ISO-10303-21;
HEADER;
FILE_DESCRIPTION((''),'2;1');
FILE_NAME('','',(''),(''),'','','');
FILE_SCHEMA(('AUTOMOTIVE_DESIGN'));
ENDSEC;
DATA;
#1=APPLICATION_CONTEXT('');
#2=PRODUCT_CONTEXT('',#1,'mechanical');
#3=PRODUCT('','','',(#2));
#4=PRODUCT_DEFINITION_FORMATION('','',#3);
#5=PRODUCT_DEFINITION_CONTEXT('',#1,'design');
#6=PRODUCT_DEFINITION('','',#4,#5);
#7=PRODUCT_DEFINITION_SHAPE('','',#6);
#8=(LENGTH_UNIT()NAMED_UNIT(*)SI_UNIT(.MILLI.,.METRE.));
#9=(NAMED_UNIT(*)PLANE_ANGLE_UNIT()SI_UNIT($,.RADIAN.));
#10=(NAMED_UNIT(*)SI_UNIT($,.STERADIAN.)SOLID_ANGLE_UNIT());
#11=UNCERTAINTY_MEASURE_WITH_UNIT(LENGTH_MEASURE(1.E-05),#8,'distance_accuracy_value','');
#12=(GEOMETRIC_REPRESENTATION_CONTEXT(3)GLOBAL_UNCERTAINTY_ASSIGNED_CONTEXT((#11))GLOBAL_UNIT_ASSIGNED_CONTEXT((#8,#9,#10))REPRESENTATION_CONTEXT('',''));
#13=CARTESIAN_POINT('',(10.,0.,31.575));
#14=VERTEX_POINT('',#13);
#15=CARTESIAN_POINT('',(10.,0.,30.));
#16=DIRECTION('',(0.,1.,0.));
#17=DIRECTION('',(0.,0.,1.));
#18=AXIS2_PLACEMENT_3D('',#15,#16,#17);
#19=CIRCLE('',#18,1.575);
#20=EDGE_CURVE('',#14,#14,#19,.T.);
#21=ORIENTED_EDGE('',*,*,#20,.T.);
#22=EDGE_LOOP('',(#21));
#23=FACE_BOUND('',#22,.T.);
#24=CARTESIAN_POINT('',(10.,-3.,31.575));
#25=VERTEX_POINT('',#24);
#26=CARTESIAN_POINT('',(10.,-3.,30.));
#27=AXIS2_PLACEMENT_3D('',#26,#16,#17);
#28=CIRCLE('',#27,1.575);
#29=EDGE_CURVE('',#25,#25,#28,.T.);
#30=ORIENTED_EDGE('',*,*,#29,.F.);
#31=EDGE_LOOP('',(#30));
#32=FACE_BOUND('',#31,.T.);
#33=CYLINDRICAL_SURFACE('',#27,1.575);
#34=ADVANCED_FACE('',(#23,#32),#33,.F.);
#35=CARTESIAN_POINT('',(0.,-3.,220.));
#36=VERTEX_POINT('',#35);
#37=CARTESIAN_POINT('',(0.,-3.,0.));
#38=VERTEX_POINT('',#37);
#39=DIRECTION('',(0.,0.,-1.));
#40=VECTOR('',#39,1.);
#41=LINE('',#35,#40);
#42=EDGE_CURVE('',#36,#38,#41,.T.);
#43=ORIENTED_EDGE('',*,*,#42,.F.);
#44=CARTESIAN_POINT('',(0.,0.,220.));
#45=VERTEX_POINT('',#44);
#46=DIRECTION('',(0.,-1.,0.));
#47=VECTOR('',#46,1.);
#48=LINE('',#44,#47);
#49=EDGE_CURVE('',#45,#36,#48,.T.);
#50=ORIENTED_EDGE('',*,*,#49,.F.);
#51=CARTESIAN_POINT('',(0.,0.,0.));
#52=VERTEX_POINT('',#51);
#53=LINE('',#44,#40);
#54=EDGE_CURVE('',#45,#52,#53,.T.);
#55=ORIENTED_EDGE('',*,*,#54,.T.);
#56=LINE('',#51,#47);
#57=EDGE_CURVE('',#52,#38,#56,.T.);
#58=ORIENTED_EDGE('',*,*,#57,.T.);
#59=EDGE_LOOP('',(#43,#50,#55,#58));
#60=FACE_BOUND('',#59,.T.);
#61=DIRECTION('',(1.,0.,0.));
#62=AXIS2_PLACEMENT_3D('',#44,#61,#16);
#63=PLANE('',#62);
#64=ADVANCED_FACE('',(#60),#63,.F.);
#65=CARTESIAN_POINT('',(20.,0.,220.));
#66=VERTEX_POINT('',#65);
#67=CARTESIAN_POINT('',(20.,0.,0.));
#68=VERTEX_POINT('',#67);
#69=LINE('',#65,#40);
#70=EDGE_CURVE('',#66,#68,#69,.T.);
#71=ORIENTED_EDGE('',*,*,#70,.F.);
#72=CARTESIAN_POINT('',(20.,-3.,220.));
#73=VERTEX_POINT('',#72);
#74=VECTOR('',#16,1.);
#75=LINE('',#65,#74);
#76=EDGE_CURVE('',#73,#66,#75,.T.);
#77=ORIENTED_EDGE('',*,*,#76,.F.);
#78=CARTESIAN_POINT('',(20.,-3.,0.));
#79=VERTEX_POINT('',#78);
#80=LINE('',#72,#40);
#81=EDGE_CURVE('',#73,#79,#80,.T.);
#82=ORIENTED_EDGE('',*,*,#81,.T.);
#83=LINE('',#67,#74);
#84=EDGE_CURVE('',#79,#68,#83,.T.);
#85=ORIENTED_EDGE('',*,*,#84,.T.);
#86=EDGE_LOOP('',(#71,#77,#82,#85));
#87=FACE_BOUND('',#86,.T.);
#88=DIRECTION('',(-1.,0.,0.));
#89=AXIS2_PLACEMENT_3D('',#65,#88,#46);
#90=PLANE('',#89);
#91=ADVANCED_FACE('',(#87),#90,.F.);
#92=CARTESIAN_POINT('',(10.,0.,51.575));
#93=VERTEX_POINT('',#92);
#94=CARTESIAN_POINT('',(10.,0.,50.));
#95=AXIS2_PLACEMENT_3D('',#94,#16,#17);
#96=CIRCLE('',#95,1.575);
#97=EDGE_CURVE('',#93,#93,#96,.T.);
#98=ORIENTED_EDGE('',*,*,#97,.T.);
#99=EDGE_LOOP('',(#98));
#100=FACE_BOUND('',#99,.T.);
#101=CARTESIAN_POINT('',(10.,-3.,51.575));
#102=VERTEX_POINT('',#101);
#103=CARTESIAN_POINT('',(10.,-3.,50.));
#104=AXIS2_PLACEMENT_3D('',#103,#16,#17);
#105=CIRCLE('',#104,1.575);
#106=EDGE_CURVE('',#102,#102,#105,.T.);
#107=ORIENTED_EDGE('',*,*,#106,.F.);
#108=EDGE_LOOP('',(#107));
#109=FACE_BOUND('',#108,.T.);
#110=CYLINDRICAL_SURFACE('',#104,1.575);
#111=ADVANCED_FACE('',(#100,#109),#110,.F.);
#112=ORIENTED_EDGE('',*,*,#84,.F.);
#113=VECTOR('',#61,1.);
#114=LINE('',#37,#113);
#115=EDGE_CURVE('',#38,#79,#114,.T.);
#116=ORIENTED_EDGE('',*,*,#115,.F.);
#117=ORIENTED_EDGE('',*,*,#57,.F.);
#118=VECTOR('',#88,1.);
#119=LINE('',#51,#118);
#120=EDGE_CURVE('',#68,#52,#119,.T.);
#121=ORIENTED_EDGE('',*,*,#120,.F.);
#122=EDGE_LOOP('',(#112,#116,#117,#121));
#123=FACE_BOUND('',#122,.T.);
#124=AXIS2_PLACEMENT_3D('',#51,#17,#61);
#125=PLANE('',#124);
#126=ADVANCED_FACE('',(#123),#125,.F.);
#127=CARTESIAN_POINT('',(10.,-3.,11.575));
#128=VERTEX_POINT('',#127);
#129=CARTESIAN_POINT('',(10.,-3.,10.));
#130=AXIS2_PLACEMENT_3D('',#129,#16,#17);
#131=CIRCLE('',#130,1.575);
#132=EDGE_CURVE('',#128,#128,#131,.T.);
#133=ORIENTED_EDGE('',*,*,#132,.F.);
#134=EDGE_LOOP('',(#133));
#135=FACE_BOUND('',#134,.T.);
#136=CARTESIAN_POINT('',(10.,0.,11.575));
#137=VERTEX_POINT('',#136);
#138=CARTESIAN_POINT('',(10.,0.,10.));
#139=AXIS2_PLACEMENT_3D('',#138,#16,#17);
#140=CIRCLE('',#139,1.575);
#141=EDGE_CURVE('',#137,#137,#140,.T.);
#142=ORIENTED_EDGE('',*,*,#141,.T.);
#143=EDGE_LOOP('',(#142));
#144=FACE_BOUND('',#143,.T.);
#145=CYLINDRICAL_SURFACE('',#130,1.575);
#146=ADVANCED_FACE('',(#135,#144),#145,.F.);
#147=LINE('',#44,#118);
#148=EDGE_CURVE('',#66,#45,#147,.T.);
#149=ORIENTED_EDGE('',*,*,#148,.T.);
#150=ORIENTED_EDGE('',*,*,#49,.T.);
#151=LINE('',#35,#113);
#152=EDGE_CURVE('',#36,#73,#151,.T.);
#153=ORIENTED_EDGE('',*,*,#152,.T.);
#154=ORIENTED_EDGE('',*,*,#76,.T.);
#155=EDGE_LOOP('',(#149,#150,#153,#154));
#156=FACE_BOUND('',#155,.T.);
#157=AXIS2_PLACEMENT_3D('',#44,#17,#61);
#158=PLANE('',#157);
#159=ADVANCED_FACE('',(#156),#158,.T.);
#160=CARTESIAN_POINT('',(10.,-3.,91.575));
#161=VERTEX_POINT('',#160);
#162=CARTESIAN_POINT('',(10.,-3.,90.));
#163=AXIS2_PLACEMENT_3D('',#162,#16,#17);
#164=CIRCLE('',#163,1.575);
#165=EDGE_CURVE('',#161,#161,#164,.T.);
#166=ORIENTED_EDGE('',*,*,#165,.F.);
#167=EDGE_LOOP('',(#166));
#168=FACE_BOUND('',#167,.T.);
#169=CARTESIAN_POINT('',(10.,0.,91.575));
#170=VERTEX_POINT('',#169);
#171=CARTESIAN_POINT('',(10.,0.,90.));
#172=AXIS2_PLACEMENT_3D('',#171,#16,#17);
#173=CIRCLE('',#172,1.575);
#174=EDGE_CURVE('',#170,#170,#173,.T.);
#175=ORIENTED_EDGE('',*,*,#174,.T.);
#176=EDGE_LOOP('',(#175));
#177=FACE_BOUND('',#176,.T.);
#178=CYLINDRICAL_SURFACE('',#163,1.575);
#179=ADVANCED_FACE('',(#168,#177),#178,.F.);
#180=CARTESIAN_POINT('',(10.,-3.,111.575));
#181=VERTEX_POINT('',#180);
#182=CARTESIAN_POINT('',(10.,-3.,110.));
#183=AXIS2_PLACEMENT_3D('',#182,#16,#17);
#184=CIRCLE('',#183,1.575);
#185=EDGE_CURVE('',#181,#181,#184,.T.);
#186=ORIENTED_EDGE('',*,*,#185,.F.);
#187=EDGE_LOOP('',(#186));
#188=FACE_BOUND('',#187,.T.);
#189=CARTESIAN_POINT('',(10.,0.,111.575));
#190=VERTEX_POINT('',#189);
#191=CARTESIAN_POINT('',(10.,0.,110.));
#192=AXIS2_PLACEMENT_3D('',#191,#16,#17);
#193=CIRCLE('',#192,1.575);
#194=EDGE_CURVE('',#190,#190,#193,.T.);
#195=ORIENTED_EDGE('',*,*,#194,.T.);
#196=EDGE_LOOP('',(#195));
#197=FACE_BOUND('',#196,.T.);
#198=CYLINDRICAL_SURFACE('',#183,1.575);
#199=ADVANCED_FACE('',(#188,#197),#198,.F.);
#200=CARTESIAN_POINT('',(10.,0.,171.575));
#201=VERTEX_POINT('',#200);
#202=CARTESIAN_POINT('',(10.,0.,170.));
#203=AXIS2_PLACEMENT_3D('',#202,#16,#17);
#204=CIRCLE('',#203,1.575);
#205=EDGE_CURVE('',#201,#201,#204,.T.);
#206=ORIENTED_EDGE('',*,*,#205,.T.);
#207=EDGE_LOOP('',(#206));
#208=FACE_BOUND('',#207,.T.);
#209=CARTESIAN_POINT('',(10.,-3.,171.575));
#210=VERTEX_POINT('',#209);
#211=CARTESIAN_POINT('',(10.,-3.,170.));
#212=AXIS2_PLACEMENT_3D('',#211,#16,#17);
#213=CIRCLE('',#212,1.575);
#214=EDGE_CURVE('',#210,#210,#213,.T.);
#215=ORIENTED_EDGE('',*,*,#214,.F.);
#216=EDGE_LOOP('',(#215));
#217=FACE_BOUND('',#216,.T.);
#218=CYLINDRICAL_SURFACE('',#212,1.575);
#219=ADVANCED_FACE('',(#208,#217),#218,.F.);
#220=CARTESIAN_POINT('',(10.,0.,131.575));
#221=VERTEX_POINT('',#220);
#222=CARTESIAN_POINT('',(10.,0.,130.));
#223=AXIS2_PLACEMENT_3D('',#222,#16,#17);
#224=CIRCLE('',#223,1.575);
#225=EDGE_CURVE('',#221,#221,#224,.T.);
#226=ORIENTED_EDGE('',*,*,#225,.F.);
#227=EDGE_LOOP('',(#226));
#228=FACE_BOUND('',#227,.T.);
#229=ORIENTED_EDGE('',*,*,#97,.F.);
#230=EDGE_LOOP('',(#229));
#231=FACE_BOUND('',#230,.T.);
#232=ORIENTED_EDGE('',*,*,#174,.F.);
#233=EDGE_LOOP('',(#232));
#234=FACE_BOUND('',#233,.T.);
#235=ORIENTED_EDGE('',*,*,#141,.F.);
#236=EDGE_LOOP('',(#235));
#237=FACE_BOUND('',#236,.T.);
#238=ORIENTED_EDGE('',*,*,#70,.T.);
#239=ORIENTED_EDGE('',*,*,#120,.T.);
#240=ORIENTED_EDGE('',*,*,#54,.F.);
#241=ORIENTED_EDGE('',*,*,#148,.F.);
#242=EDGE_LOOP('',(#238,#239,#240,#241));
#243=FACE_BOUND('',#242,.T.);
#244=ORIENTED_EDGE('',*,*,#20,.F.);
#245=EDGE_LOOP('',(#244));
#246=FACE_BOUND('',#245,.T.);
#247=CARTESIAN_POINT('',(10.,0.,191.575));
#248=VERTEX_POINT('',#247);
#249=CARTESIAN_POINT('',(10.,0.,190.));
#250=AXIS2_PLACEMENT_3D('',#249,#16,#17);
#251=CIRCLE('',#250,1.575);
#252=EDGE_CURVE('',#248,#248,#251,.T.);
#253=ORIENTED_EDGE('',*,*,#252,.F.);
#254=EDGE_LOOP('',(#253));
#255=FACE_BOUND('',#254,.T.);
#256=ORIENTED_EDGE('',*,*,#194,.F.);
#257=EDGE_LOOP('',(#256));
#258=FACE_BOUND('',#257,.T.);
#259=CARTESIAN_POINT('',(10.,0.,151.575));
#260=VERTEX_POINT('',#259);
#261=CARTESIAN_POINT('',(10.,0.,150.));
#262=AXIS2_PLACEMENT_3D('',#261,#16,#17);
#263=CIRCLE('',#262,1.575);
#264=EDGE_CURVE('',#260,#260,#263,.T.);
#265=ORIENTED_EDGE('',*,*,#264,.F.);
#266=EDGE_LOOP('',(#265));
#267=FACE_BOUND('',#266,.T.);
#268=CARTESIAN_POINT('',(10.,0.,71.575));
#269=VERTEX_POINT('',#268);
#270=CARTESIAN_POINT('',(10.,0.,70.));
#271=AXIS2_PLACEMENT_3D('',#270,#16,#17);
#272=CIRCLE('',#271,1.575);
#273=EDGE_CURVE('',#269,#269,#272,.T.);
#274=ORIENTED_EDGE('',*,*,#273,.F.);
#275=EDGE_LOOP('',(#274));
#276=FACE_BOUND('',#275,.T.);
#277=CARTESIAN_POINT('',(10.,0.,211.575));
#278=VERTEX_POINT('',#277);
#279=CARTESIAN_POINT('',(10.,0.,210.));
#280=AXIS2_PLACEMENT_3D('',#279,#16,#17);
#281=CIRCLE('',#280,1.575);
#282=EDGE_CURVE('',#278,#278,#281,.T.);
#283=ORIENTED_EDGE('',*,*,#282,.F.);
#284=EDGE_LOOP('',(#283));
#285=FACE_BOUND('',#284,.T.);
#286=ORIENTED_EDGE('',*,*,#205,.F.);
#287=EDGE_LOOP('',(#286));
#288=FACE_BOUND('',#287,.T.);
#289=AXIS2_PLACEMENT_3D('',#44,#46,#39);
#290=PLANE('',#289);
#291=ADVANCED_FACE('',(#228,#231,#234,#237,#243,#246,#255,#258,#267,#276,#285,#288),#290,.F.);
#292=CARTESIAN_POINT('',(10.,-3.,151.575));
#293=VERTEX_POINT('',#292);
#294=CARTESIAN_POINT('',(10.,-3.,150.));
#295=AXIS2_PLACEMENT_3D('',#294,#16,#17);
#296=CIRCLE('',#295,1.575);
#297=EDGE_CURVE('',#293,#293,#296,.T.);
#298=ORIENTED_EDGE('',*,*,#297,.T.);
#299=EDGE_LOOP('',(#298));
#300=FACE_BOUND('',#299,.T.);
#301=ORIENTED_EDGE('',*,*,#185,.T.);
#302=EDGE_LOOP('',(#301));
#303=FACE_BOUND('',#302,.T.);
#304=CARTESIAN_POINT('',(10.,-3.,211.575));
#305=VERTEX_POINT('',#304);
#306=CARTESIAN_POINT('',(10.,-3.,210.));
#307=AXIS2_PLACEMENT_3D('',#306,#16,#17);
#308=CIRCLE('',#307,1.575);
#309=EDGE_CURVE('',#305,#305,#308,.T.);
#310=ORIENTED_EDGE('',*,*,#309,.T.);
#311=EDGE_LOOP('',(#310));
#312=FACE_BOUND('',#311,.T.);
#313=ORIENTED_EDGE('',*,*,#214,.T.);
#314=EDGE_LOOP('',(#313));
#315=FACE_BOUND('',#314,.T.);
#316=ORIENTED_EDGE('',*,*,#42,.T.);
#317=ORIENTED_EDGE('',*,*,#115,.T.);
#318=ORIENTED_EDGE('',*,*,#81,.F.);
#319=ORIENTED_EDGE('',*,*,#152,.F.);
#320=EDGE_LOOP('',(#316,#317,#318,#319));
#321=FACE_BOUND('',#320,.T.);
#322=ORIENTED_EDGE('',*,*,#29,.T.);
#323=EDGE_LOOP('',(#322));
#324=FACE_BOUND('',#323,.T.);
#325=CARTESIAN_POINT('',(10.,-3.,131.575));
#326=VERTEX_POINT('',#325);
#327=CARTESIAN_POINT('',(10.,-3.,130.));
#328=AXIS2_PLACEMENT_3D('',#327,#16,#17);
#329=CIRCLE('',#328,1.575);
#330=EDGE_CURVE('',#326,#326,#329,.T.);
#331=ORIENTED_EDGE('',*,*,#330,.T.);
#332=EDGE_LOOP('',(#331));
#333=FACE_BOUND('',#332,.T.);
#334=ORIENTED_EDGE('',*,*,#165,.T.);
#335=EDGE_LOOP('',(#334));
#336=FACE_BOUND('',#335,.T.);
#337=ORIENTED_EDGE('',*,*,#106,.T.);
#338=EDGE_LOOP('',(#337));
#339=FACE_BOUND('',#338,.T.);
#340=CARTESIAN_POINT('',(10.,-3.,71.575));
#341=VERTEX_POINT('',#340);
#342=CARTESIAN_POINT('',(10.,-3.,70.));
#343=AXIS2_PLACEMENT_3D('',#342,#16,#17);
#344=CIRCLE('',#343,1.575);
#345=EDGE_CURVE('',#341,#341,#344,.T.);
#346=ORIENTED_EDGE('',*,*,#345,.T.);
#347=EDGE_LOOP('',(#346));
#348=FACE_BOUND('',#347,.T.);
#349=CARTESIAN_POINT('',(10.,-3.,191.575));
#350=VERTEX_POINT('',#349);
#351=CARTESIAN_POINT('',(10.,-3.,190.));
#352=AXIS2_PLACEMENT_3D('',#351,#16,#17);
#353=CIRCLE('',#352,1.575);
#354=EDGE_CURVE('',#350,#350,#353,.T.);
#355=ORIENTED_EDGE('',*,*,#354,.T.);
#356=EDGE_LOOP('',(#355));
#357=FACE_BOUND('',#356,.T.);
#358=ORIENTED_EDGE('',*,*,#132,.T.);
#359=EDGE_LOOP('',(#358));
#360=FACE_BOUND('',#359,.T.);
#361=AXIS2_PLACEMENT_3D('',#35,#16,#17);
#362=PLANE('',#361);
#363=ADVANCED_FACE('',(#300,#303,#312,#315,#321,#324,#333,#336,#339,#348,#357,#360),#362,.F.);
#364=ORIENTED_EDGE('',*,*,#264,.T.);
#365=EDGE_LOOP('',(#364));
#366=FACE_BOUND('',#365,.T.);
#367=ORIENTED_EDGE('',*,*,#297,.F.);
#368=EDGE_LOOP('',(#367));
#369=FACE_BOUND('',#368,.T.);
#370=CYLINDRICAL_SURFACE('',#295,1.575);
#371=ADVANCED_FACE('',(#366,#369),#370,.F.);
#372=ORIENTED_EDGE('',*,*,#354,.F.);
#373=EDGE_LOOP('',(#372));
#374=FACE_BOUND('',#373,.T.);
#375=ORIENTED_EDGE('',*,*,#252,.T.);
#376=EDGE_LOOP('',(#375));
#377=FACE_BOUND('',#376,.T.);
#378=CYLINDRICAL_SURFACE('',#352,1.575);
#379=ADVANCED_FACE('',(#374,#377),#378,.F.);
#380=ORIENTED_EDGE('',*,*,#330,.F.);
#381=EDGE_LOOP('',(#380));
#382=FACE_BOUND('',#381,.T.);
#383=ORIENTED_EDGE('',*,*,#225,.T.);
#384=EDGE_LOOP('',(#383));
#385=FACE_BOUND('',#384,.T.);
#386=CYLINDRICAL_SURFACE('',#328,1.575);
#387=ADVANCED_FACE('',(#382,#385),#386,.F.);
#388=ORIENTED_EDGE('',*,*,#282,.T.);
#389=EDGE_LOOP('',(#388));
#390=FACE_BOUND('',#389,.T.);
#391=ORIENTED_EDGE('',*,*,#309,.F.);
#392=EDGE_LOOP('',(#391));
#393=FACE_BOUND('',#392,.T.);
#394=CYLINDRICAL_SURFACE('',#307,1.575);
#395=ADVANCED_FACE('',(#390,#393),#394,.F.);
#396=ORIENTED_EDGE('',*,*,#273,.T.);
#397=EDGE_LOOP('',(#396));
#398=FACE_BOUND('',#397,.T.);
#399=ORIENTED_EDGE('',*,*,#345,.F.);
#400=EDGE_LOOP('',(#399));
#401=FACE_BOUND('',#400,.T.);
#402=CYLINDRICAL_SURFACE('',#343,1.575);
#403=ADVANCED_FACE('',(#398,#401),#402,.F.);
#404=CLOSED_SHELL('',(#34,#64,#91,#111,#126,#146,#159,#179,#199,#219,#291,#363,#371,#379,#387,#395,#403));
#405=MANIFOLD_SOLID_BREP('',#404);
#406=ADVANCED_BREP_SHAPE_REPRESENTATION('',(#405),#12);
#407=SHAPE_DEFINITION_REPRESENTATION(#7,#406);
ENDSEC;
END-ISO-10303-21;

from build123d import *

# Parameters (mm, degrees)
SKETCH_1_W          = 20
SKETCH_1_H          = 3
EXTRUDE_1_DEPTH     = 220
SKETCH_2_R          = 1.575
CUT_EXTRUDE_1_DEPTH = 221.927589947


with BuildPart() as part:
    # 草图1 → 凸台-拉伸1 (new body)
    with BuildSketch(Plane.XY):
        with Locations((10, -1.5)):
            Rectangle(SKETCH_1_W, SKETCH_1_H)
    extrude(amount=EXTRUDE_1_DEPTH)

    # 草图2 → 切除-拉伸1 (cut, through all)
    with BuildSketch(Plane(origin=(0, 0, 0), x_dir=(1, 0, 0), z_dir=(0, 1, 0))):
        with Locations(Location((10, -10, 0), (0, 0, 270))):
            Circle(SKETCH_2_R)
        with Locations(Location((10, -30, 0), (0, 0, 270))):
            Circle(SKETCH_2_R)
        with Locations(Location((10, -50, 0), (0, 0, 270))):
            Circle(SKETCH_2_R)
        with Locations(Location((10, -70, 0), (0, 0, 270))):
            Circle(SKETCH_2_R)
        with Locations(Location((10, -90, 0), (0, 0, 270))):
            Circle(SKETCH_2_R)
        with Locations(Location((10, -110, 0), (0, 0, 270))):
            Circle(SKETCH_2_R)
        with Locations(Location((10, -130, 0), (0, 0, 270))):
            Circle(SKETCH_2_R)
        with Locations(Location((10, -150, 0), (0, 0, 270))):
            Circle(SKETCH_2_R)
        with Locations(Location((10, -170, 0), (0, 0, 270))):
            Circle(SKETCH_2_R)
        with Locations(Location((10, -190, 0), (0, 0, 270))):
            Circle(SKETCH_2_R)
        with Locations(Location((10, -210, 0), (0, 0, 270))):
            Circle(SKETCH_2_R)
        with Locations((10, -230)):
            Circle(SKETCH_2_R)
        with Locations((10, -250)):
            Circle(SKETCH_2_R)
        with Locations((10, -270)):
            Circle(SKETCH_2_R)
        with Locations((10, -290)):
            Circle(SKETCH_2_R)
        with Locations((10, -310)):
            Circle(SKETCH_2_R)
        with Locations((10, -330)):
            Circle(SKETCH_2_R)
        with Locations((10, -350)):
            Circle(SKETCH_2_R)
        with Locations((10, -370)):
            Circle(SKETCH_2_R)
        with Locations((10, -390)):
            Circle(SKETCH_2_R)
        with Locations((10, -410)):
            Circle(SKETCH_2_R)
        with Locations((10, -430)):
            Circle(SKETCH_2_R)
        with Locations((10, -450)):
            Circle(SKETCH_2_R)
        with Locations((10, -470)):
            Circle(SKETCH_2_R)
        with Locations((10, -490)):
            Circle(SKETCH_2_R)
        with Locations((10, -510)):
            Circle(SKETCH_2_R)
        with Locations((10, -530)):
            Circle(SKETCH_2_R)
        with Locations((10, -550)):
            Circle(SKETCH_2_R)
        with Locations((10, -570)):
            Circle(SKETCH_2_R)
        with Locations((10, -590)):
            Circle(SKETCH_2_R)
        with Locations((10, -610)):
            Circle(SKETCH_2_R)
        with Locations((10, -630)):
            Circle(SKETCH_2_R)
        with Locations((10, -650)):
            Circle(SKETCH_2_R)
    extrude(amount=-CUT_EXTRUDE_1_DEPTH, mode=Mode.SUBTRACT)


solid = part.part
